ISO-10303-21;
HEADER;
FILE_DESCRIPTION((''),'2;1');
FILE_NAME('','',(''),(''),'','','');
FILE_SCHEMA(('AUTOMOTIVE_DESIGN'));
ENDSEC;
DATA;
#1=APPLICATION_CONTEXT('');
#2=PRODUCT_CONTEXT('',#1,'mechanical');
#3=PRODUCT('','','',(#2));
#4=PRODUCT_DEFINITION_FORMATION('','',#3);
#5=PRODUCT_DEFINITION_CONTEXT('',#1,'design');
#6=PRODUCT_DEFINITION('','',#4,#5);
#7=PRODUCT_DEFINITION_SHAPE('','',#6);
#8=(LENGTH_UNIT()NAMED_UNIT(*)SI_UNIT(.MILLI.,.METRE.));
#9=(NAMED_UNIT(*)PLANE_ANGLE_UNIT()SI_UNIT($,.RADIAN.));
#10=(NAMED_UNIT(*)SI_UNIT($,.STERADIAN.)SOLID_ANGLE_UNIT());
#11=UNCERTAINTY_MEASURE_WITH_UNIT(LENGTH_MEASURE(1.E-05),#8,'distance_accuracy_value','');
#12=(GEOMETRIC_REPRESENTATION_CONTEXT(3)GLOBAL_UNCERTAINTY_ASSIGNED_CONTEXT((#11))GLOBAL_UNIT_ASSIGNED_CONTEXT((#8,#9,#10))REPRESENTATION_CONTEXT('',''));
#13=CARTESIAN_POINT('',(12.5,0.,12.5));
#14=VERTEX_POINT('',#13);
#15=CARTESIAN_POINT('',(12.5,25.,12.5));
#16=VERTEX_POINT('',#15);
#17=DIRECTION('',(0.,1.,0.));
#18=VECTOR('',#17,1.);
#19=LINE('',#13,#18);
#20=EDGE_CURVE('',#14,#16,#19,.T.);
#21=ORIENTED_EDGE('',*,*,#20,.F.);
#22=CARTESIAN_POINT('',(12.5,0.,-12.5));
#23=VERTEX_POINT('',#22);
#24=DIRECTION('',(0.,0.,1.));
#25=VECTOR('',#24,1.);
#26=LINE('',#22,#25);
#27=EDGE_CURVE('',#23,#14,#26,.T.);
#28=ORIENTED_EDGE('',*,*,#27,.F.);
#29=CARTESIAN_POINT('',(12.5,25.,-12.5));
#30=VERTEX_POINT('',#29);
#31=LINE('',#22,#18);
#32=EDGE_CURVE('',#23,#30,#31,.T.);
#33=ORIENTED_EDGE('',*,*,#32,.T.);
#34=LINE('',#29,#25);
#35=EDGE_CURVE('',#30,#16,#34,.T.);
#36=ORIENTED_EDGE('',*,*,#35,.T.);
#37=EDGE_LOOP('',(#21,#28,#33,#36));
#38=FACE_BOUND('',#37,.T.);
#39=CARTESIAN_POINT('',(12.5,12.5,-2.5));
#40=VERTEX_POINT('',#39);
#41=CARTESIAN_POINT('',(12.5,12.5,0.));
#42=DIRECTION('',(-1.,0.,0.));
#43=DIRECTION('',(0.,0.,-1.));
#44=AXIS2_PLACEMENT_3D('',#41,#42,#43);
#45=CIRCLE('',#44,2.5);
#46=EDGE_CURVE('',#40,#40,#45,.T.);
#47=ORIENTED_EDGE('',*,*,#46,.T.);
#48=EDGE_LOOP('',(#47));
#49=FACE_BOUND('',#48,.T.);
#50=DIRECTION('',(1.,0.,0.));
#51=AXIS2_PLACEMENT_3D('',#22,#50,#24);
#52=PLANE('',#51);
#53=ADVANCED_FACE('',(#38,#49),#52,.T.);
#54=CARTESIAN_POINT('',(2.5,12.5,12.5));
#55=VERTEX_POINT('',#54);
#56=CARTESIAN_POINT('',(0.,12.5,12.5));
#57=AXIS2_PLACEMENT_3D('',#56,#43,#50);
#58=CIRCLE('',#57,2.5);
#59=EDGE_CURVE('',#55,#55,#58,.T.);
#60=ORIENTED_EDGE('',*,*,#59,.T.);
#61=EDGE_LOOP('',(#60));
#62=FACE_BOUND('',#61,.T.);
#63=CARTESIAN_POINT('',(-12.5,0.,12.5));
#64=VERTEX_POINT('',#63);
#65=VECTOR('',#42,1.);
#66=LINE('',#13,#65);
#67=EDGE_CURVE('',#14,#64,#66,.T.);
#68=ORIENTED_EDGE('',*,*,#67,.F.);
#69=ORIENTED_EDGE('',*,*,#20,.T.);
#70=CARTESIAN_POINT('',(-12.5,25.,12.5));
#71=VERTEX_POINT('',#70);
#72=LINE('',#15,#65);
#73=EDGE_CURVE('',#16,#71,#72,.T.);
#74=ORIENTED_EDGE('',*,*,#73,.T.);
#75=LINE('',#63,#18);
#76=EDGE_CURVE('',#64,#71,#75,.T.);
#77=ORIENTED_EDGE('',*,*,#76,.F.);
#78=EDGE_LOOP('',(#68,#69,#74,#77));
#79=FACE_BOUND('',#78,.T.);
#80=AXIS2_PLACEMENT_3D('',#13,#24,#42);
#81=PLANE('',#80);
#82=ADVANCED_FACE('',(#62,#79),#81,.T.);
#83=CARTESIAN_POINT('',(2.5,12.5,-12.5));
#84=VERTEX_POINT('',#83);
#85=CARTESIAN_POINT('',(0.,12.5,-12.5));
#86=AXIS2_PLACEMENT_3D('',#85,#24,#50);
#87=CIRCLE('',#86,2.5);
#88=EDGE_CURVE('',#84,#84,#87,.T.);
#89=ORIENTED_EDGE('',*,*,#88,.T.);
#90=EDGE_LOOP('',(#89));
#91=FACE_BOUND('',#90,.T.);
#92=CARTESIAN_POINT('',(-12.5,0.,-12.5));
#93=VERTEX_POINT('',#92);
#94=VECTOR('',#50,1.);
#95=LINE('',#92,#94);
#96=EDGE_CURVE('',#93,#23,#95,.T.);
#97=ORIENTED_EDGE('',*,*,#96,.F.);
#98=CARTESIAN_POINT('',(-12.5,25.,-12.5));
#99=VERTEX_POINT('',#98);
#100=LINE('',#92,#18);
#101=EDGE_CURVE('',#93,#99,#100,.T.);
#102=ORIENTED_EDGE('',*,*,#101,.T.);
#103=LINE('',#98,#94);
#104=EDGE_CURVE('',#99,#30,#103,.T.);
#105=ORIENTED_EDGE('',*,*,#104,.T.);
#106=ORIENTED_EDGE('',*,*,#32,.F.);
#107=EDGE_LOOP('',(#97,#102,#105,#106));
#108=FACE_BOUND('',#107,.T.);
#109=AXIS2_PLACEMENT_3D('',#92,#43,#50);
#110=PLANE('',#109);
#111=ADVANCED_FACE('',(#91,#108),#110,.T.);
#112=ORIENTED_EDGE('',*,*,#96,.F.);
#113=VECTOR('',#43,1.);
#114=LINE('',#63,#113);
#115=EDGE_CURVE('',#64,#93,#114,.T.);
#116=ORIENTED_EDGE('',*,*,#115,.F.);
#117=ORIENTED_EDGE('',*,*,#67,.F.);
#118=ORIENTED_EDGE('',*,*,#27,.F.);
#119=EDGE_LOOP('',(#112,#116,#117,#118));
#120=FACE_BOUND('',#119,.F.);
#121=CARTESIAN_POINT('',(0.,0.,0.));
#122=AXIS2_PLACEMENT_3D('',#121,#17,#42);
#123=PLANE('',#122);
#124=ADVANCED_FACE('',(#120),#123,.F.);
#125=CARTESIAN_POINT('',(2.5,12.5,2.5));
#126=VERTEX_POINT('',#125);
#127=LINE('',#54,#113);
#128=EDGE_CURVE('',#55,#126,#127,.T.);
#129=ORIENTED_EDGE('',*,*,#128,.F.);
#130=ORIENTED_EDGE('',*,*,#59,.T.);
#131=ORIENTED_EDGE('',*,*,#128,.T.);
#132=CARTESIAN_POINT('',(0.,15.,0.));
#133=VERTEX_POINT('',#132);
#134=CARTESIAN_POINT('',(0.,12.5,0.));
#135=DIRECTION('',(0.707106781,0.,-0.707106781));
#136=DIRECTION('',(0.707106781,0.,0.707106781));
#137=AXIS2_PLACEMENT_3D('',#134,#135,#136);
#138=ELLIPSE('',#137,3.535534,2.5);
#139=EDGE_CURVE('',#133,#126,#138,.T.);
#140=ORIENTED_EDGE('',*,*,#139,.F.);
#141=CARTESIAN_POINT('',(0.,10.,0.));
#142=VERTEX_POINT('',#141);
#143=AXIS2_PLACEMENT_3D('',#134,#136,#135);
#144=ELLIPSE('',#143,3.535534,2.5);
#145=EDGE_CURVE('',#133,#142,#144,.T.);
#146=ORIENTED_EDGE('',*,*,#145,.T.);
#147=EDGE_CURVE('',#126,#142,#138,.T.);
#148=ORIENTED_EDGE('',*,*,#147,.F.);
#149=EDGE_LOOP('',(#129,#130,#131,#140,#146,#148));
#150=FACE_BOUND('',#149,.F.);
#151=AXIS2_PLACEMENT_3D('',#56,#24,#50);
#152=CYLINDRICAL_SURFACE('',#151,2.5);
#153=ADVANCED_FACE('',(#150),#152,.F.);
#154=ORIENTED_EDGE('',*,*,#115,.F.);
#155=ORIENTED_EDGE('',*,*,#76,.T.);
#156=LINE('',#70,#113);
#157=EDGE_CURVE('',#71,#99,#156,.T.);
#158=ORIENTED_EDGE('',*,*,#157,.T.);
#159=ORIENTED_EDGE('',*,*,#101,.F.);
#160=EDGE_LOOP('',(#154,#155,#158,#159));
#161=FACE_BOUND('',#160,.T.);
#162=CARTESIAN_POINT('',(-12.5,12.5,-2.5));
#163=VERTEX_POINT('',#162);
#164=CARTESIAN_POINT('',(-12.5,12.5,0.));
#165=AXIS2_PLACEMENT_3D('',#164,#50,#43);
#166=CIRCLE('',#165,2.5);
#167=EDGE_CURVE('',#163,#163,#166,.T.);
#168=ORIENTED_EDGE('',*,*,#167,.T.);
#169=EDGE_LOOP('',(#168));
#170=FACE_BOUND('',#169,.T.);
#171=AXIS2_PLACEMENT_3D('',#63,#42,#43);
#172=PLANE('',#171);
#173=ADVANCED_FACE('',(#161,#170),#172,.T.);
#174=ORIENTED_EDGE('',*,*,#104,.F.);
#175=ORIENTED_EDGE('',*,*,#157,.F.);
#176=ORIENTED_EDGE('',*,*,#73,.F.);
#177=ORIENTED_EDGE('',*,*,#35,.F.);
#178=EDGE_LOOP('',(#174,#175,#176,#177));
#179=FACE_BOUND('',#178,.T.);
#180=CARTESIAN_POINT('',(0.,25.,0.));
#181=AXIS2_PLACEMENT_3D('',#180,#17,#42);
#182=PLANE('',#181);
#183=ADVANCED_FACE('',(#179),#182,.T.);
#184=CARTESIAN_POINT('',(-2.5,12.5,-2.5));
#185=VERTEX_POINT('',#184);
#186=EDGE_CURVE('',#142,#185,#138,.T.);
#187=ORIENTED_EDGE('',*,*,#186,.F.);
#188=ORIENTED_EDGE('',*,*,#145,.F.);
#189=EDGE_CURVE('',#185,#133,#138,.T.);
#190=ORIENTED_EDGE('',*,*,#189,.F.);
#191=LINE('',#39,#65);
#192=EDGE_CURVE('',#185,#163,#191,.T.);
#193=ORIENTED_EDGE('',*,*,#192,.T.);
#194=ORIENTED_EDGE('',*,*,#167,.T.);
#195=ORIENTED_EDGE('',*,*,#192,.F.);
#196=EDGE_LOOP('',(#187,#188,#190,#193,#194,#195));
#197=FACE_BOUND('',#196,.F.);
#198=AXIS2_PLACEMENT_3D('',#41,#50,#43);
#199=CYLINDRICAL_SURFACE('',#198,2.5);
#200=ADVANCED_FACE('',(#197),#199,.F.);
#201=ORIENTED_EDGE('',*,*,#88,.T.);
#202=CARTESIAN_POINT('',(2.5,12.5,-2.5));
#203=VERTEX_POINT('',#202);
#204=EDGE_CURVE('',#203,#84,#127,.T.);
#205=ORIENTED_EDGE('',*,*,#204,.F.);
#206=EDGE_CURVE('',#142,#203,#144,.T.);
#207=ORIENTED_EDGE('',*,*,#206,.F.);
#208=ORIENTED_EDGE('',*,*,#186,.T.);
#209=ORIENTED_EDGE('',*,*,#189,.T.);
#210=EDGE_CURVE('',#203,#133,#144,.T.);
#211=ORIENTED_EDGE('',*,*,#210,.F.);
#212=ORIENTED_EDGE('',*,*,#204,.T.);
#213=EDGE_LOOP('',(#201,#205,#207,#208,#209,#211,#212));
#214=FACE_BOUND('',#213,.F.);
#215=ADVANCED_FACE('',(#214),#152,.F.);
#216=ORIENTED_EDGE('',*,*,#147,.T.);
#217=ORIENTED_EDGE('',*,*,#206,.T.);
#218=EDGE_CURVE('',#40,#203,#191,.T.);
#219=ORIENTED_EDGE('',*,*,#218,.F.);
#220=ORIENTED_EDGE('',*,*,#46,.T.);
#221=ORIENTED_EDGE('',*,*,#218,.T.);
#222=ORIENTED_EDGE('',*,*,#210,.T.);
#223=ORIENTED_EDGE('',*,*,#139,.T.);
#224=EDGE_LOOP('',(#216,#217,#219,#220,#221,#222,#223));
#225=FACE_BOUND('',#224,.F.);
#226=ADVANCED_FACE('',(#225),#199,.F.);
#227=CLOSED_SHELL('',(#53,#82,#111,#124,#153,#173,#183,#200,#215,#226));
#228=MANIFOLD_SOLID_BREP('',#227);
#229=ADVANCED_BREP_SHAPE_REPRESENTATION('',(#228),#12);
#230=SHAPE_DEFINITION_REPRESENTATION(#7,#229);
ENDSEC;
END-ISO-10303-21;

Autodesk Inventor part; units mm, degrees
ref_plane "YZ Plane" through (0, 0, 0) normal (1, 0, 0) x (0, 1, 0)
ref_plane "XZ Plane" through (0, 0, 0) normal (0, 1, 0) x (-1, 0, 0)
ref_plane "XY Plane" through (0, 0, 0) normal (0, 0, 1) x (1, 0, 0)
sketch "Sketch1" plane through (0, 0, 0) normal (0, 1, 0) x (-1, 0, 0)
  line L0 (12.5, -12.5) -> (-12.5, -12.5)
  line L1 (-12.5, -12.5) -> (-12.5, 12.5)
  line L2 (-12.5, 12.5) -> (12.5, 12.5)
  line L3 (12.5, 12.5) -> (12.5, -12.5)
  line L4 (12.5, -12.5) -> (-12.5, 12.5) construction
  line L5 (-12.5, -12.5) -> (12.5, 12.5) construction
  point P0 (0, 0)
  dimension "d0" = 25
  dimension "d1" = 25
extrude "Extrusion1" add sketch "Sketch1" along normal blind 25
sketch "Sketch2" plane through (12.5, 0, 12.5) normal (1, 0, 0) x (0, 0, -1)
  line L0 (0, 0) -> (25, 0) projected
  line L1 (0, 0) -> (25, 25)
  circle A0 centre (12.5, 12.5) radius 2.5
  point P0 (12.5, 0)
  dimension "d4" = 5
extrude "Extrusion2" cut sketch "Sketch2" against normal blind 25
sketch "Sketch3" plane through (-12.5, 0, 12.5) normal (0, 0, 1) x (1, 0, 0)
  line L0 (25, 25) -> (0, 25) projected
  line L1 (25, 0) -> (25, 25) projected
  line L2 (0, 25) -> (25, 0)
  circle A0 centre (12.5, 12.5) radius 2.5
  point P0 (12.5, 0)
  dimension "d7" = 5
extrude "Extrusion3" cut sketch "Sketch3" against normal blind 25 contours A0 L2 | L2 A0
properties part number "coupling"
